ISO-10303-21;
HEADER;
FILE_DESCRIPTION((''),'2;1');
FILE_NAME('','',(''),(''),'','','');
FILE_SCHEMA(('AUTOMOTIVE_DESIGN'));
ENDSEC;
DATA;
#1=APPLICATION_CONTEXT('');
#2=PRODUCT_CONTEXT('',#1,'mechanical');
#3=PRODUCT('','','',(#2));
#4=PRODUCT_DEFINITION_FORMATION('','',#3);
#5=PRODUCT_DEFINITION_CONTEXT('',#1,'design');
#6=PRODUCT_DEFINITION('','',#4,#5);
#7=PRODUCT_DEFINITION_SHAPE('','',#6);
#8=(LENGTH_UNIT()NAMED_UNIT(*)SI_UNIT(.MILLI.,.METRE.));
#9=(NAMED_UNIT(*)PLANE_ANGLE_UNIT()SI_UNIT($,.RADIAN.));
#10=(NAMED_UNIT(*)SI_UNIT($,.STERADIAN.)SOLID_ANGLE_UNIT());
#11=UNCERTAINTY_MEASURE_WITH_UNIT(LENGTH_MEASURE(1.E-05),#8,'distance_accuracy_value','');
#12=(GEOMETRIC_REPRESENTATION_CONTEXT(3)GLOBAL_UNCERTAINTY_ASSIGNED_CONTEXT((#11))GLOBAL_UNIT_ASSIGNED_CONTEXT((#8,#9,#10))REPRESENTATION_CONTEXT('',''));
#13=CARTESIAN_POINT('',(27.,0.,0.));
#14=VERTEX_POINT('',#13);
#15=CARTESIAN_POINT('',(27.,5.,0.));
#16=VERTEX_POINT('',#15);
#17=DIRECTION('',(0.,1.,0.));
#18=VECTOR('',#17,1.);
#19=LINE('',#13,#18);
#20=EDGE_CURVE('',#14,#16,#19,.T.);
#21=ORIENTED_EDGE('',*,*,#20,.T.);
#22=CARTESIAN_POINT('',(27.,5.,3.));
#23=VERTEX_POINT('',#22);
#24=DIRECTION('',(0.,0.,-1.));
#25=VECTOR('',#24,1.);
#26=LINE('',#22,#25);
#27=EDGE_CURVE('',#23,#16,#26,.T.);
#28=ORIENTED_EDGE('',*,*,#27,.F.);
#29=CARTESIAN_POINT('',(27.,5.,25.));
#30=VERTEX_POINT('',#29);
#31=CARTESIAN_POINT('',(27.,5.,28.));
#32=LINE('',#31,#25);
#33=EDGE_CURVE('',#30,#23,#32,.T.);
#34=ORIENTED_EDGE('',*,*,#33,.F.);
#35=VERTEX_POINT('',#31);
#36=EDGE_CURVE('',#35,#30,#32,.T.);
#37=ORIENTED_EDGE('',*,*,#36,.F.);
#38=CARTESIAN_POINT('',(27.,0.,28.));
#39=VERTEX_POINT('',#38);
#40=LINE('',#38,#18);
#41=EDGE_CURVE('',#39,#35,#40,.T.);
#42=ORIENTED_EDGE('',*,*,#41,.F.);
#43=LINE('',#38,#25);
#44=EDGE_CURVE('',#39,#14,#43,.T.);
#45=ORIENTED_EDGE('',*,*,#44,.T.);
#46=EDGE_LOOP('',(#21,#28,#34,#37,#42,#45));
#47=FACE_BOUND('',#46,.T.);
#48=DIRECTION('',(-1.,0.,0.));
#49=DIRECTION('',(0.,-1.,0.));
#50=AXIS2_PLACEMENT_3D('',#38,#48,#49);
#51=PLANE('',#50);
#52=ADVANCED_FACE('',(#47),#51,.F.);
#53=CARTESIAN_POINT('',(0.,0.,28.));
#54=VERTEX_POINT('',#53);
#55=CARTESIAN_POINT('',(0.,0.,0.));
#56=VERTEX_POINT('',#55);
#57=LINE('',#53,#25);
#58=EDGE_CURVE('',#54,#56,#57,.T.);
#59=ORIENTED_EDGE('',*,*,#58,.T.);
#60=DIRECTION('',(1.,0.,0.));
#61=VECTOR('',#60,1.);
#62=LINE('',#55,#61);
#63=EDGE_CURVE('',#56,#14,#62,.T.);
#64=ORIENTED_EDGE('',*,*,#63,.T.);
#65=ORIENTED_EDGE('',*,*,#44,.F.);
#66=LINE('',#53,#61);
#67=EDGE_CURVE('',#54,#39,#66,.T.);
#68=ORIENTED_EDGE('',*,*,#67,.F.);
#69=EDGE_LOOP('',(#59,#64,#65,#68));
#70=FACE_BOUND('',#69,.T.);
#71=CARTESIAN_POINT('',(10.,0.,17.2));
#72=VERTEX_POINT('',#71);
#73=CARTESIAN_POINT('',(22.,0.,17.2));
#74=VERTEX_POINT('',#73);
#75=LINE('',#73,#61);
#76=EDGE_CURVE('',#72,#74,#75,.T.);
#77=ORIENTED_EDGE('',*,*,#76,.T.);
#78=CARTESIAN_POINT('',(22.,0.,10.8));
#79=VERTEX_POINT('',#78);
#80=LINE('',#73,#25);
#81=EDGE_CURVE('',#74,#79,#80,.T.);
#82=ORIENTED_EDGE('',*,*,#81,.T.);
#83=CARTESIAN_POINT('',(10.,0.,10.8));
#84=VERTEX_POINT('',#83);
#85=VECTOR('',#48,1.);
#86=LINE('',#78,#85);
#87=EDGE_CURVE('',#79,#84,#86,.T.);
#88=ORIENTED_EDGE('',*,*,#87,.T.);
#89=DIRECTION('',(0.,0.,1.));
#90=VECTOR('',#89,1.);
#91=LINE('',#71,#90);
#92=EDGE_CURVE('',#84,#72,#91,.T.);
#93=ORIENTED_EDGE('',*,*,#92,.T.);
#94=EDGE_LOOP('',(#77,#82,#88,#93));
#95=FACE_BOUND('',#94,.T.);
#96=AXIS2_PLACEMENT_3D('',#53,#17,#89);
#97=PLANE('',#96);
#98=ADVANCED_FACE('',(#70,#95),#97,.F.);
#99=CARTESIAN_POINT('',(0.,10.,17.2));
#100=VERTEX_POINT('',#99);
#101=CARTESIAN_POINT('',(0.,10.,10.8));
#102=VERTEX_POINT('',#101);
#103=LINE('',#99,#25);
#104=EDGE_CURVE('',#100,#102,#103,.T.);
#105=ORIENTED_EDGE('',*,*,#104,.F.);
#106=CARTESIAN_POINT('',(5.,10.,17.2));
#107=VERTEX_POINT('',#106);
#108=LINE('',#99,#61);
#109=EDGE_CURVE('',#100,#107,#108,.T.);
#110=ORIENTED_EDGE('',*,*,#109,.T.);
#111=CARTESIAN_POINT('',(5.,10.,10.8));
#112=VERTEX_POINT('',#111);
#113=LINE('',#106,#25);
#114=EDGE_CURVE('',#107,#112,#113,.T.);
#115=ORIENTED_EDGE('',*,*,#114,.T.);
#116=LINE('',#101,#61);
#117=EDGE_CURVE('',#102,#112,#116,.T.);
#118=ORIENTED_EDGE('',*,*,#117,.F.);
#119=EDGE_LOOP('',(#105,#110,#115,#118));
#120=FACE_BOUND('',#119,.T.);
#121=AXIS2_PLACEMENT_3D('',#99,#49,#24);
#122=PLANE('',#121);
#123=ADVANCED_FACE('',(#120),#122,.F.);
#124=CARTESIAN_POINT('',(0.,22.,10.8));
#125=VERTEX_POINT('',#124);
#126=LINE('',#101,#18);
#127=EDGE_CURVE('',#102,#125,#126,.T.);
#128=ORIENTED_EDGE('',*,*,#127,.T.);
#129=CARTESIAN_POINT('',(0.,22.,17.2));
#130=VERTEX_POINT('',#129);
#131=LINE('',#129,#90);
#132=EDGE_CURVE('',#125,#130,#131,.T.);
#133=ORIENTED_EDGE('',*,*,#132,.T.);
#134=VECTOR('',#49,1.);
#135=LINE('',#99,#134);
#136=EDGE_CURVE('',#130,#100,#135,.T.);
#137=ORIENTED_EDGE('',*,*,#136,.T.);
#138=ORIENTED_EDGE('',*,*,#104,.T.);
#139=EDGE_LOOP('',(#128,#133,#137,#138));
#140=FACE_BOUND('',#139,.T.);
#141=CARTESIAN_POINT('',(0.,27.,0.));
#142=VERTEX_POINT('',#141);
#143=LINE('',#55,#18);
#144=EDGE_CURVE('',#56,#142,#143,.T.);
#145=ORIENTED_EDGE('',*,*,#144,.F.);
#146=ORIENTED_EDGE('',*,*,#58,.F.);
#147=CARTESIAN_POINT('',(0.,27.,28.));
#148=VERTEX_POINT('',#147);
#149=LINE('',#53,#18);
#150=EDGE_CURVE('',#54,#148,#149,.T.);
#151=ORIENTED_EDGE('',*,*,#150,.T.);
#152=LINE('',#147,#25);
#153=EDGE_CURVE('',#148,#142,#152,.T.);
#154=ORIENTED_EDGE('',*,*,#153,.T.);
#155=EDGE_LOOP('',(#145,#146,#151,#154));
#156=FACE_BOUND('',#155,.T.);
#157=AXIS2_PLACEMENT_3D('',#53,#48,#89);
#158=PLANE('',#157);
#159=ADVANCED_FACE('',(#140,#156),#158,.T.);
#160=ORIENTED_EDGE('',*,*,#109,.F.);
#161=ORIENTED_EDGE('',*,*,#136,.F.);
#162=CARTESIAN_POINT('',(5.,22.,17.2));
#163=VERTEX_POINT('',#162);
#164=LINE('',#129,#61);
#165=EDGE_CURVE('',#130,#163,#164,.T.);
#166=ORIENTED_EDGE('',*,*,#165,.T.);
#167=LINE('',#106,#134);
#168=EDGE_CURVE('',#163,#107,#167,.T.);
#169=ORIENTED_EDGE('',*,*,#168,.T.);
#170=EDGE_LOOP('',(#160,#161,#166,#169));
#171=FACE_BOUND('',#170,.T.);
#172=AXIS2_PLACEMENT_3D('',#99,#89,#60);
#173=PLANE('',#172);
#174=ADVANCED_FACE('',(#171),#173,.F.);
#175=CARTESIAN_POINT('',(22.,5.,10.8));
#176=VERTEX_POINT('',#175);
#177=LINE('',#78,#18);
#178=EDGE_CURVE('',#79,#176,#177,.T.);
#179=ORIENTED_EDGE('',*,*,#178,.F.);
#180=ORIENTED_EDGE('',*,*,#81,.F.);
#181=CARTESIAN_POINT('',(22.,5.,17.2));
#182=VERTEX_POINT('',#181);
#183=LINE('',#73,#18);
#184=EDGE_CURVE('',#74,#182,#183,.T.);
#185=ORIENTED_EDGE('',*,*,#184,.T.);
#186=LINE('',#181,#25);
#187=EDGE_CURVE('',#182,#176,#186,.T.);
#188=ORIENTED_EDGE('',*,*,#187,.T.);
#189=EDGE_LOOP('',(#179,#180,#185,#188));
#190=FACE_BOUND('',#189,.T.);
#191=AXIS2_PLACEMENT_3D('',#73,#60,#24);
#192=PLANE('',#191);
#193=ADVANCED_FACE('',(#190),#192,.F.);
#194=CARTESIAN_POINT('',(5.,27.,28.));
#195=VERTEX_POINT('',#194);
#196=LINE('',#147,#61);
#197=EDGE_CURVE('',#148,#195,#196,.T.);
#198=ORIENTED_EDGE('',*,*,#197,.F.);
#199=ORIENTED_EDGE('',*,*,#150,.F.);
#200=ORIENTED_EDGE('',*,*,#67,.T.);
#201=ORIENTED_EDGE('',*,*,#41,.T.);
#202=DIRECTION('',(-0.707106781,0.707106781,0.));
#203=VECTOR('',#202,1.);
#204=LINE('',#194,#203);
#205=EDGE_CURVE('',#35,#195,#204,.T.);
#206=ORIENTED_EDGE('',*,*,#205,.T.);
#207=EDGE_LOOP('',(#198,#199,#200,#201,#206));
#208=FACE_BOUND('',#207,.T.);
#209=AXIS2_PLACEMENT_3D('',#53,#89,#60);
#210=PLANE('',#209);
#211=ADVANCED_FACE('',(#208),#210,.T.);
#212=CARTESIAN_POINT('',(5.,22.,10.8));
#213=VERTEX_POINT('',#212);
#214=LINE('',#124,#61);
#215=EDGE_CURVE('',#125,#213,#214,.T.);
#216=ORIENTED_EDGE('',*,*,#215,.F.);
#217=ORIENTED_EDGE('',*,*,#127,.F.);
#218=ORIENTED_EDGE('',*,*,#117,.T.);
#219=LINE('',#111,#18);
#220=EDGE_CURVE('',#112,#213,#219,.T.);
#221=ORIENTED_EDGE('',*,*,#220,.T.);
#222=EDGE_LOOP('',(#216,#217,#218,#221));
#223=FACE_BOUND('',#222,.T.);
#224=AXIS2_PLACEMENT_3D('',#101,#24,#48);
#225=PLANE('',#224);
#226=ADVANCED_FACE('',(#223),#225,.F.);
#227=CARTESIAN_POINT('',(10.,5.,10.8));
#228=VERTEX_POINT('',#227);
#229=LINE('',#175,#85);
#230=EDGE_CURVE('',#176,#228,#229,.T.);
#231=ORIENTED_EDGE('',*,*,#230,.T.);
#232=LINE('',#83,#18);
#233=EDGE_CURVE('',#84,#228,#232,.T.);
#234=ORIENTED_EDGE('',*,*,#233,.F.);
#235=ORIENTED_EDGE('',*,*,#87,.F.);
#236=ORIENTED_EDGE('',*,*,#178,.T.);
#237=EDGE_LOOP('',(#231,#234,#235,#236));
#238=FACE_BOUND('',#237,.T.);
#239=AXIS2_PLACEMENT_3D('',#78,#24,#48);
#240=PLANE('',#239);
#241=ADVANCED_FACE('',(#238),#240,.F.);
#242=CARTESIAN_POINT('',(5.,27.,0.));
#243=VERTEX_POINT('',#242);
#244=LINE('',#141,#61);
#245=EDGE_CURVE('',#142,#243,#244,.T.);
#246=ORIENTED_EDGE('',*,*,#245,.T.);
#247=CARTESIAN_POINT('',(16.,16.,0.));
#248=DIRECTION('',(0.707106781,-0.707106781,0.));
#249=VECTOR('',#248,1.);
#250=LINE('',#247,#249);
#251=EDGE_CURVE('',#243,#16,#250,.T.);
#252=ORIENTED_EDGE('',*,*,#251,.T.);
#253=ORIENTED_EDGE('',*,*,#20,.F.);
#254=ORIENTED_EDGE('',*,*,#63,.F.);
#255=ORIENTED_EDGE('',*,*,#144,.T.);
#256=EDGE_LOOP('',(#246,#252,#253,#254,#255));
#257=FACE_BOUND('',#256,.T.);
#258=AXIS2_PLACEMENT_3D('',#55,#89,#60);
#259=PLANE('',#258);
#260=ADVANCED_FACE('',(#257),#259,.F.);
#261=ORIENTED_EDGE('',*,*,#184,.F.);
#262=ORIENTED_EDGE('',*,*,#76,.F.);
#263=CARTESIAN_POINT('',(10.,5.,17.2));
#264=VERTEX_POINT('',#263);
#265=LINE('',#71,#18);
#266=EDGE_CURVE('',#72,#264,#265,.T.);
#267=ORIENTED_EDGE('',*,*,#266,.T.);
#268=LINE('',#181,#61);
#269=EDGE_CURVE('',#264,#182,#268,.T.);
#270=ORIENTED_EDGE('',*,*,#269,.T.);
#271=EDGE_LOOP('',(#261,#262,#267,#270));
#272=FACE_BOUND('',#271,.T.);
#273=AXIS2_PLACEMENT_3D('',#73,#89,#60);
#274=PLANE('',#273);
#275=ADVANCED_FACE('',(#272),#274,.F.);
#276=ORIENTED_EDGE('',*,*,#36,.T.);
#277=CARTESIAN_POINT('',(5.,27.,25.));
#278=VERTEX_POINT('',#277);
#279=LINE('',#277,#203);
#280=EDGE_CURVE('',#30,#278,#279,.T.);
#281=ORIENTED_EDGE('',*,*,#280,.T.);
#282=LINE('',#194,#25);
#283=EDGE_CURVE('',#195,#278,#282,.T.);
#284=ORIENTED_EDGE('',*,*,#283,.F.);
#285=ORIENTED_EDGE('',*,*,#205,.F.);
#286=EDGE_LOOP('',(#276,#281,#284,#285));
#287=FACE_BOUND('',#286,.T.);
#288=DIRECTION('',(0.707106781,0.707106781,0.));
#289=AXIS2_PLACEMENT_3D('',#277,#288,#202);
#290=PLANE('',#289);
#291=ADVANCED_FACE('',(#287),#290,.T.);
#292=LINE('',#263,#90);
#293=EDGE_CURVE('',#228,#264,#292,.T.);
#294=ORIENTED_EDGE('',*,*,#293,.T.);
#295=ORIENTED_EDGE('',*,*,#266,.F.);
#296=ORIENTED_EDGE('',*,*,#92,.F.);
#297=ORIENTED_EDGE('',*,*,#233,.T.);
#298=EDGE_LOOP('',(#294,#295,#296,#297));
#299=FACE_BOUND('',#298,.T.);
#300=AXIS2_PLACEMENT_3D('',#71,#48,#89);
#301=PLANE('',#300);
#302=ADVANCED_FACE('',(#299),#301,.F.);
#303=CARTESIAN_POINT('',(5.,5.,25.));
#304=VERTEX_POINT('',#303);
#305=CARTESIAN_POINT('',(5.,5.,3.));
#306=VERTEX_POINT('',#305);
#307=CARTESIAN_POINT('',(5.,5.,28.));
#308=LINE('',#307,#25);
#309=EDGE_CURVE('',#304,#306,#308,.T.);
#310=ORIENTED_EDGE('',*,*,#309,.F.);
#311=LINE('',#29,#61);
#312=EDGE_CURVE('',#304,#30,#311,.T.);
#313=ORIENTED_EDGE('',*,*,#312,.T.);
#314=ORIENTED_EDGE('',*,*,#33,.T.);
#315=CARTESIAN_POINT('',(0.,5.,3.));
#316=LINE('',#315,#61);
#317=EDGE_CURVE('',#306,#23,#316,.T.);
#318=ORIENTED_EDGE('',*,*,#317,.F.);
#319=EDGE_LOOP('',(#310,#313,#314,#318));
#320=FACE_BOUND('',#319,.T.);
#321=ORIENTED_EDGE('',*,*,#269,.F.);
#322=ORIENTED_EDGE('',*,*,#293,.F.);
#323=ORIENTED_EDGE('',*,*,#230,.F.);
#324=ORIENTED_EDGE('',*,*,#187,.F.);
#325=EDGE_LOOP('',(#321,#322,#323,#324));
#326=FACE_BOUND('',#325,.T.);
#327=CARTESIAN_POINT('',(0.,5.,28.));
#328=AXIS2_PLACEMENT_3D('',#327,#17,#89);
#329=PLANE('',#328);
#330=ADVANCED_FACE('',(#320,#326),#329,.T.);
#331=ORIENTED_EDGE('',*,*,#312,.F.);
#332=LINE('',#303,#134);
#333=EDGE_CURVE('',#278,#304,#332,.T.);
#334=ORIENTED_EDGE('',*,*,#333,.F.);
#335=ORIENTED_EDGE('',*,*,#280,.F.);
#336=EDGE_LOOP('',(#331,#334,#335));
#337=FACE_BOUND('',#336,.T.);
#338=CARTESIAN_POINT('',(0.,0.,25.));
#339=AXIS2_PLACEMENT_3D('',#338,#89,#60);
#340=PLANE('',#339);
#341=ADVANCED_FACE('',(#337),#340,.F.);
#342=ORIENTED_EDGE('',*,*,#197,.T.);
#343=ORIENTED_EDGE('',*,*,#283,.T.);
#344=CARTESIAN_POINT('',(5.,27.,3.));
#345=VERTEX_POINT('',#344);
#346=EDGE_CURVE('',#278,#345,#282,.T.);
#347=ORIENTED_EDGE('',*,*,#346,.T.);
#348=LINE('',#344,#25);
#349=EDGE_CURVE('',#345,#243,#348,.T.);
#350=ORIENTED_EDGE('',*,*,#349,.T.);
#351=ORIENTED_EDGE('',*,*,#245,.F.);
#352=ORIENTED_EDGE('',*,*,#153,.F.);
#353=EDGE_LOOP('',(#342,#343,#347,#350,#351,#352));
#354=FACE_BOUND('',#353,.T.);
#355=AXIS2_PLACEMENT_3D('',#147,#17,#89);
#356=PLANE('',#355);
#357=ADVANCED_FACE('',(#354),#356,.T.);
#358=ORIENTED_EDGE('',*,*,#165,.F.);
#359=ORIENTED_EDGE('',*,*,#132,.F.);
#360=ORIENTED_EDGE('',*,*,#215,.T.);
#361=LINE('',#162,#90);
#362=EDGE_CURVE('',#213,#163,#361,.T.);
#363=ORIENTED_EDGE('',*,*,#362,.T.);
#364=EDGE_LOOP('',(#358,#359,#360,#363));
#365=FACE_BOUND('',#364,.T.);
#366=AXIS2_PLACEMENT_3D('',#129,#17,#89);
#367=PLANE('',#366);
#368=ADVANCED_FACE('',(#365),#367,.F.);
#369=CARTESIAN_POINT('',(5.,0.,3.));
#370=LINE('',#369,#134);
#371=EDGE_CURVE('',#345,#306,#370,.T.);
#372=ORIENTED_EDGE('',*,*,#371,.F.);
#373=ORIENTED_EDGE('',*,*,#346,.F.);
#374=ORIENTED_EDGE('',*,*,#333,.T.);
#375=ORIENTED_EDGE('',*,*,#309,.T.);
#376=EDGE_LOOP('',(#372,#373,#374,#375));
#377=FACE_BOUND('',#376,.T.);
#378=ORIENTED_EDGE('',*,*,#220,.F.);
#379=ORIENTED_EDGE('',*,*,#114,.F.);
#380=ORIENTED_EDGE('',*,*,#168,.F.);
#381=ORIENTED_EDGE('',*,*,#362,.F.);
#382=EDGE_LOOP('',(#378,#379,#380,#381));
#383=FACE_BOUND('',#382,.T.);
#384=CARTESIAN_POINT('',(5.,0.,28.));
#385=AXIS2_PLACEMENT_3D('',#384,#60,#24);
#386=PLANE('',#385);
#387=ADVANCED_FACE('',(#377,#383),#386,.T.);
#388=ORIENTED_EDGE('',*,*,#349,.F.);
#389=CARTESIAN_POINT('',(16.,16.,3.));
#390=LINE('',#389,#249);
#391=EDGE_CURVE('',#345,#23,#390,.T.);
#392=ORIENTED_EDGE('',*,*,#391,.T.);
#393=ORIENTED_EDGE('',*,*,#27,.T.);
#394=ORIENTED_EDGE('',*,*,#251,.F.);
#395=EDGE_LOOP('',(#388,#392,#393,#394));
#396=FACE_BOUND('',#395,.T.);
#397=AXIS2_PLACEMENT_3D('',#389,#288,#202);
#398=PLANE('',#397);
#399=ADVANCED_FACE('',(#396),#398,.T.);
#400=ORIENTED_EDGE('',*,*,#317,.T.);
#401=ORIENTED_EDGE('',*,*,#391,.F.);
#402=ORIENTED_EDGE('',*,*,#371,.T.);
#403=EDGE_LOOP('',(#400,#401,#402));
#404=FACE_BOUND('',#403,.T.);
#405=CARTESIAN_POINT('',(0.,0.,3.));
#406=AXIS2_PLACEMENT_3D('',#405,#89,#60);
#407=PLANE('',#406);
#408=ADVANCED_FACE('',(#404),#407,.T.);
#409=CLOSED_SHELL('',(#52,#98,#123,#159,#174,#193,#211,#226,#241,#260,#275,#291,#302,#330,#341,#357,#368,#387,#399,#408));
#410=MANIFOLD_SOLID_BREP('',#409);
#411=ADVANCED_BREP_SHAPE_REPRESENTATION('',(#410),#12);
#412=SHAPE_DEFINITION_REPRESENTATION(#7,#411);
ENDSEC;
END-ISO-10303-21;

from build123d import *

# Parameters (mm, degrees)
BOSS_EXTRUDE1_DEPTH = 28
BOSS_EXTRUDE2_DEPTH = 3
BOSS_EXTRUDE3_DEPTH = 3
SKETCH4_W           = 6.4
SKETCH4_H           = 12
CUT_EXTRUDE1_DEPTH  = 5
SKETCH5_W           = 12
SKETCH5_H           = 6.4
CUT_EXTRUDE2_DEPTH  = 5


with BuildPart() as part:
    # Sketch1 → Boss-Extrude1 (new body)
    with BuildSketch(Plane.XY):
        Polygon((5, 5), (5, 27), (0, 27), (0, 0), (27, 0), (27, 5), align=None)
    extrude(amount=BOSS_EXTRUDE1_DEPTH)

    # Sketch1<3> → Boss-Extrude2 (add)
    with BuildSketch(Plane.XY):
        Polygon((27, 5), (5, 27), (5, 5), align=None)
    extrude(amount=BOSS_EXTRUDE2_DEPTH)

    # Sketch3 → Boss-Extrude3 (add)
    with BuildSketch(Plane.XY.offset(28)):
        Polygon((5, 27), (27, 5), (5, 5), align=None)
    extrude(amount=-BOSS_EXTRUDE3_DEPTH)

    # Sketch4 → Cut-Extrude1 (cut)
    with BuildSketch(Plane(origin=(5, 0, 0), x_dir=(0, 0, -1), z_dir=(1, 0, 0))):
        with Locations((-14, 16)):
            Rectangle(SKETCH4_W, SKETCH4_H)
    extrude(amount=-CUT_EXTRUDE1_DEPTH, mode=Mode.SUBTRACT)

    # Sketch5 → Cut-Extrude2 (cut)
    with BuildSketch(Plane(origin=(0, 5, 0), x_dir=(1, 0, 0), z_dir=(0, 1, 0))):
        with Locations((16, -14)):
            Rectangle(SKETCH5_W, SKETCH5_H)
    extrude(amount=-CUT_EXTRUDE2_DEPTH, mode=Mode.SUBTRACT)


solid = part.part
